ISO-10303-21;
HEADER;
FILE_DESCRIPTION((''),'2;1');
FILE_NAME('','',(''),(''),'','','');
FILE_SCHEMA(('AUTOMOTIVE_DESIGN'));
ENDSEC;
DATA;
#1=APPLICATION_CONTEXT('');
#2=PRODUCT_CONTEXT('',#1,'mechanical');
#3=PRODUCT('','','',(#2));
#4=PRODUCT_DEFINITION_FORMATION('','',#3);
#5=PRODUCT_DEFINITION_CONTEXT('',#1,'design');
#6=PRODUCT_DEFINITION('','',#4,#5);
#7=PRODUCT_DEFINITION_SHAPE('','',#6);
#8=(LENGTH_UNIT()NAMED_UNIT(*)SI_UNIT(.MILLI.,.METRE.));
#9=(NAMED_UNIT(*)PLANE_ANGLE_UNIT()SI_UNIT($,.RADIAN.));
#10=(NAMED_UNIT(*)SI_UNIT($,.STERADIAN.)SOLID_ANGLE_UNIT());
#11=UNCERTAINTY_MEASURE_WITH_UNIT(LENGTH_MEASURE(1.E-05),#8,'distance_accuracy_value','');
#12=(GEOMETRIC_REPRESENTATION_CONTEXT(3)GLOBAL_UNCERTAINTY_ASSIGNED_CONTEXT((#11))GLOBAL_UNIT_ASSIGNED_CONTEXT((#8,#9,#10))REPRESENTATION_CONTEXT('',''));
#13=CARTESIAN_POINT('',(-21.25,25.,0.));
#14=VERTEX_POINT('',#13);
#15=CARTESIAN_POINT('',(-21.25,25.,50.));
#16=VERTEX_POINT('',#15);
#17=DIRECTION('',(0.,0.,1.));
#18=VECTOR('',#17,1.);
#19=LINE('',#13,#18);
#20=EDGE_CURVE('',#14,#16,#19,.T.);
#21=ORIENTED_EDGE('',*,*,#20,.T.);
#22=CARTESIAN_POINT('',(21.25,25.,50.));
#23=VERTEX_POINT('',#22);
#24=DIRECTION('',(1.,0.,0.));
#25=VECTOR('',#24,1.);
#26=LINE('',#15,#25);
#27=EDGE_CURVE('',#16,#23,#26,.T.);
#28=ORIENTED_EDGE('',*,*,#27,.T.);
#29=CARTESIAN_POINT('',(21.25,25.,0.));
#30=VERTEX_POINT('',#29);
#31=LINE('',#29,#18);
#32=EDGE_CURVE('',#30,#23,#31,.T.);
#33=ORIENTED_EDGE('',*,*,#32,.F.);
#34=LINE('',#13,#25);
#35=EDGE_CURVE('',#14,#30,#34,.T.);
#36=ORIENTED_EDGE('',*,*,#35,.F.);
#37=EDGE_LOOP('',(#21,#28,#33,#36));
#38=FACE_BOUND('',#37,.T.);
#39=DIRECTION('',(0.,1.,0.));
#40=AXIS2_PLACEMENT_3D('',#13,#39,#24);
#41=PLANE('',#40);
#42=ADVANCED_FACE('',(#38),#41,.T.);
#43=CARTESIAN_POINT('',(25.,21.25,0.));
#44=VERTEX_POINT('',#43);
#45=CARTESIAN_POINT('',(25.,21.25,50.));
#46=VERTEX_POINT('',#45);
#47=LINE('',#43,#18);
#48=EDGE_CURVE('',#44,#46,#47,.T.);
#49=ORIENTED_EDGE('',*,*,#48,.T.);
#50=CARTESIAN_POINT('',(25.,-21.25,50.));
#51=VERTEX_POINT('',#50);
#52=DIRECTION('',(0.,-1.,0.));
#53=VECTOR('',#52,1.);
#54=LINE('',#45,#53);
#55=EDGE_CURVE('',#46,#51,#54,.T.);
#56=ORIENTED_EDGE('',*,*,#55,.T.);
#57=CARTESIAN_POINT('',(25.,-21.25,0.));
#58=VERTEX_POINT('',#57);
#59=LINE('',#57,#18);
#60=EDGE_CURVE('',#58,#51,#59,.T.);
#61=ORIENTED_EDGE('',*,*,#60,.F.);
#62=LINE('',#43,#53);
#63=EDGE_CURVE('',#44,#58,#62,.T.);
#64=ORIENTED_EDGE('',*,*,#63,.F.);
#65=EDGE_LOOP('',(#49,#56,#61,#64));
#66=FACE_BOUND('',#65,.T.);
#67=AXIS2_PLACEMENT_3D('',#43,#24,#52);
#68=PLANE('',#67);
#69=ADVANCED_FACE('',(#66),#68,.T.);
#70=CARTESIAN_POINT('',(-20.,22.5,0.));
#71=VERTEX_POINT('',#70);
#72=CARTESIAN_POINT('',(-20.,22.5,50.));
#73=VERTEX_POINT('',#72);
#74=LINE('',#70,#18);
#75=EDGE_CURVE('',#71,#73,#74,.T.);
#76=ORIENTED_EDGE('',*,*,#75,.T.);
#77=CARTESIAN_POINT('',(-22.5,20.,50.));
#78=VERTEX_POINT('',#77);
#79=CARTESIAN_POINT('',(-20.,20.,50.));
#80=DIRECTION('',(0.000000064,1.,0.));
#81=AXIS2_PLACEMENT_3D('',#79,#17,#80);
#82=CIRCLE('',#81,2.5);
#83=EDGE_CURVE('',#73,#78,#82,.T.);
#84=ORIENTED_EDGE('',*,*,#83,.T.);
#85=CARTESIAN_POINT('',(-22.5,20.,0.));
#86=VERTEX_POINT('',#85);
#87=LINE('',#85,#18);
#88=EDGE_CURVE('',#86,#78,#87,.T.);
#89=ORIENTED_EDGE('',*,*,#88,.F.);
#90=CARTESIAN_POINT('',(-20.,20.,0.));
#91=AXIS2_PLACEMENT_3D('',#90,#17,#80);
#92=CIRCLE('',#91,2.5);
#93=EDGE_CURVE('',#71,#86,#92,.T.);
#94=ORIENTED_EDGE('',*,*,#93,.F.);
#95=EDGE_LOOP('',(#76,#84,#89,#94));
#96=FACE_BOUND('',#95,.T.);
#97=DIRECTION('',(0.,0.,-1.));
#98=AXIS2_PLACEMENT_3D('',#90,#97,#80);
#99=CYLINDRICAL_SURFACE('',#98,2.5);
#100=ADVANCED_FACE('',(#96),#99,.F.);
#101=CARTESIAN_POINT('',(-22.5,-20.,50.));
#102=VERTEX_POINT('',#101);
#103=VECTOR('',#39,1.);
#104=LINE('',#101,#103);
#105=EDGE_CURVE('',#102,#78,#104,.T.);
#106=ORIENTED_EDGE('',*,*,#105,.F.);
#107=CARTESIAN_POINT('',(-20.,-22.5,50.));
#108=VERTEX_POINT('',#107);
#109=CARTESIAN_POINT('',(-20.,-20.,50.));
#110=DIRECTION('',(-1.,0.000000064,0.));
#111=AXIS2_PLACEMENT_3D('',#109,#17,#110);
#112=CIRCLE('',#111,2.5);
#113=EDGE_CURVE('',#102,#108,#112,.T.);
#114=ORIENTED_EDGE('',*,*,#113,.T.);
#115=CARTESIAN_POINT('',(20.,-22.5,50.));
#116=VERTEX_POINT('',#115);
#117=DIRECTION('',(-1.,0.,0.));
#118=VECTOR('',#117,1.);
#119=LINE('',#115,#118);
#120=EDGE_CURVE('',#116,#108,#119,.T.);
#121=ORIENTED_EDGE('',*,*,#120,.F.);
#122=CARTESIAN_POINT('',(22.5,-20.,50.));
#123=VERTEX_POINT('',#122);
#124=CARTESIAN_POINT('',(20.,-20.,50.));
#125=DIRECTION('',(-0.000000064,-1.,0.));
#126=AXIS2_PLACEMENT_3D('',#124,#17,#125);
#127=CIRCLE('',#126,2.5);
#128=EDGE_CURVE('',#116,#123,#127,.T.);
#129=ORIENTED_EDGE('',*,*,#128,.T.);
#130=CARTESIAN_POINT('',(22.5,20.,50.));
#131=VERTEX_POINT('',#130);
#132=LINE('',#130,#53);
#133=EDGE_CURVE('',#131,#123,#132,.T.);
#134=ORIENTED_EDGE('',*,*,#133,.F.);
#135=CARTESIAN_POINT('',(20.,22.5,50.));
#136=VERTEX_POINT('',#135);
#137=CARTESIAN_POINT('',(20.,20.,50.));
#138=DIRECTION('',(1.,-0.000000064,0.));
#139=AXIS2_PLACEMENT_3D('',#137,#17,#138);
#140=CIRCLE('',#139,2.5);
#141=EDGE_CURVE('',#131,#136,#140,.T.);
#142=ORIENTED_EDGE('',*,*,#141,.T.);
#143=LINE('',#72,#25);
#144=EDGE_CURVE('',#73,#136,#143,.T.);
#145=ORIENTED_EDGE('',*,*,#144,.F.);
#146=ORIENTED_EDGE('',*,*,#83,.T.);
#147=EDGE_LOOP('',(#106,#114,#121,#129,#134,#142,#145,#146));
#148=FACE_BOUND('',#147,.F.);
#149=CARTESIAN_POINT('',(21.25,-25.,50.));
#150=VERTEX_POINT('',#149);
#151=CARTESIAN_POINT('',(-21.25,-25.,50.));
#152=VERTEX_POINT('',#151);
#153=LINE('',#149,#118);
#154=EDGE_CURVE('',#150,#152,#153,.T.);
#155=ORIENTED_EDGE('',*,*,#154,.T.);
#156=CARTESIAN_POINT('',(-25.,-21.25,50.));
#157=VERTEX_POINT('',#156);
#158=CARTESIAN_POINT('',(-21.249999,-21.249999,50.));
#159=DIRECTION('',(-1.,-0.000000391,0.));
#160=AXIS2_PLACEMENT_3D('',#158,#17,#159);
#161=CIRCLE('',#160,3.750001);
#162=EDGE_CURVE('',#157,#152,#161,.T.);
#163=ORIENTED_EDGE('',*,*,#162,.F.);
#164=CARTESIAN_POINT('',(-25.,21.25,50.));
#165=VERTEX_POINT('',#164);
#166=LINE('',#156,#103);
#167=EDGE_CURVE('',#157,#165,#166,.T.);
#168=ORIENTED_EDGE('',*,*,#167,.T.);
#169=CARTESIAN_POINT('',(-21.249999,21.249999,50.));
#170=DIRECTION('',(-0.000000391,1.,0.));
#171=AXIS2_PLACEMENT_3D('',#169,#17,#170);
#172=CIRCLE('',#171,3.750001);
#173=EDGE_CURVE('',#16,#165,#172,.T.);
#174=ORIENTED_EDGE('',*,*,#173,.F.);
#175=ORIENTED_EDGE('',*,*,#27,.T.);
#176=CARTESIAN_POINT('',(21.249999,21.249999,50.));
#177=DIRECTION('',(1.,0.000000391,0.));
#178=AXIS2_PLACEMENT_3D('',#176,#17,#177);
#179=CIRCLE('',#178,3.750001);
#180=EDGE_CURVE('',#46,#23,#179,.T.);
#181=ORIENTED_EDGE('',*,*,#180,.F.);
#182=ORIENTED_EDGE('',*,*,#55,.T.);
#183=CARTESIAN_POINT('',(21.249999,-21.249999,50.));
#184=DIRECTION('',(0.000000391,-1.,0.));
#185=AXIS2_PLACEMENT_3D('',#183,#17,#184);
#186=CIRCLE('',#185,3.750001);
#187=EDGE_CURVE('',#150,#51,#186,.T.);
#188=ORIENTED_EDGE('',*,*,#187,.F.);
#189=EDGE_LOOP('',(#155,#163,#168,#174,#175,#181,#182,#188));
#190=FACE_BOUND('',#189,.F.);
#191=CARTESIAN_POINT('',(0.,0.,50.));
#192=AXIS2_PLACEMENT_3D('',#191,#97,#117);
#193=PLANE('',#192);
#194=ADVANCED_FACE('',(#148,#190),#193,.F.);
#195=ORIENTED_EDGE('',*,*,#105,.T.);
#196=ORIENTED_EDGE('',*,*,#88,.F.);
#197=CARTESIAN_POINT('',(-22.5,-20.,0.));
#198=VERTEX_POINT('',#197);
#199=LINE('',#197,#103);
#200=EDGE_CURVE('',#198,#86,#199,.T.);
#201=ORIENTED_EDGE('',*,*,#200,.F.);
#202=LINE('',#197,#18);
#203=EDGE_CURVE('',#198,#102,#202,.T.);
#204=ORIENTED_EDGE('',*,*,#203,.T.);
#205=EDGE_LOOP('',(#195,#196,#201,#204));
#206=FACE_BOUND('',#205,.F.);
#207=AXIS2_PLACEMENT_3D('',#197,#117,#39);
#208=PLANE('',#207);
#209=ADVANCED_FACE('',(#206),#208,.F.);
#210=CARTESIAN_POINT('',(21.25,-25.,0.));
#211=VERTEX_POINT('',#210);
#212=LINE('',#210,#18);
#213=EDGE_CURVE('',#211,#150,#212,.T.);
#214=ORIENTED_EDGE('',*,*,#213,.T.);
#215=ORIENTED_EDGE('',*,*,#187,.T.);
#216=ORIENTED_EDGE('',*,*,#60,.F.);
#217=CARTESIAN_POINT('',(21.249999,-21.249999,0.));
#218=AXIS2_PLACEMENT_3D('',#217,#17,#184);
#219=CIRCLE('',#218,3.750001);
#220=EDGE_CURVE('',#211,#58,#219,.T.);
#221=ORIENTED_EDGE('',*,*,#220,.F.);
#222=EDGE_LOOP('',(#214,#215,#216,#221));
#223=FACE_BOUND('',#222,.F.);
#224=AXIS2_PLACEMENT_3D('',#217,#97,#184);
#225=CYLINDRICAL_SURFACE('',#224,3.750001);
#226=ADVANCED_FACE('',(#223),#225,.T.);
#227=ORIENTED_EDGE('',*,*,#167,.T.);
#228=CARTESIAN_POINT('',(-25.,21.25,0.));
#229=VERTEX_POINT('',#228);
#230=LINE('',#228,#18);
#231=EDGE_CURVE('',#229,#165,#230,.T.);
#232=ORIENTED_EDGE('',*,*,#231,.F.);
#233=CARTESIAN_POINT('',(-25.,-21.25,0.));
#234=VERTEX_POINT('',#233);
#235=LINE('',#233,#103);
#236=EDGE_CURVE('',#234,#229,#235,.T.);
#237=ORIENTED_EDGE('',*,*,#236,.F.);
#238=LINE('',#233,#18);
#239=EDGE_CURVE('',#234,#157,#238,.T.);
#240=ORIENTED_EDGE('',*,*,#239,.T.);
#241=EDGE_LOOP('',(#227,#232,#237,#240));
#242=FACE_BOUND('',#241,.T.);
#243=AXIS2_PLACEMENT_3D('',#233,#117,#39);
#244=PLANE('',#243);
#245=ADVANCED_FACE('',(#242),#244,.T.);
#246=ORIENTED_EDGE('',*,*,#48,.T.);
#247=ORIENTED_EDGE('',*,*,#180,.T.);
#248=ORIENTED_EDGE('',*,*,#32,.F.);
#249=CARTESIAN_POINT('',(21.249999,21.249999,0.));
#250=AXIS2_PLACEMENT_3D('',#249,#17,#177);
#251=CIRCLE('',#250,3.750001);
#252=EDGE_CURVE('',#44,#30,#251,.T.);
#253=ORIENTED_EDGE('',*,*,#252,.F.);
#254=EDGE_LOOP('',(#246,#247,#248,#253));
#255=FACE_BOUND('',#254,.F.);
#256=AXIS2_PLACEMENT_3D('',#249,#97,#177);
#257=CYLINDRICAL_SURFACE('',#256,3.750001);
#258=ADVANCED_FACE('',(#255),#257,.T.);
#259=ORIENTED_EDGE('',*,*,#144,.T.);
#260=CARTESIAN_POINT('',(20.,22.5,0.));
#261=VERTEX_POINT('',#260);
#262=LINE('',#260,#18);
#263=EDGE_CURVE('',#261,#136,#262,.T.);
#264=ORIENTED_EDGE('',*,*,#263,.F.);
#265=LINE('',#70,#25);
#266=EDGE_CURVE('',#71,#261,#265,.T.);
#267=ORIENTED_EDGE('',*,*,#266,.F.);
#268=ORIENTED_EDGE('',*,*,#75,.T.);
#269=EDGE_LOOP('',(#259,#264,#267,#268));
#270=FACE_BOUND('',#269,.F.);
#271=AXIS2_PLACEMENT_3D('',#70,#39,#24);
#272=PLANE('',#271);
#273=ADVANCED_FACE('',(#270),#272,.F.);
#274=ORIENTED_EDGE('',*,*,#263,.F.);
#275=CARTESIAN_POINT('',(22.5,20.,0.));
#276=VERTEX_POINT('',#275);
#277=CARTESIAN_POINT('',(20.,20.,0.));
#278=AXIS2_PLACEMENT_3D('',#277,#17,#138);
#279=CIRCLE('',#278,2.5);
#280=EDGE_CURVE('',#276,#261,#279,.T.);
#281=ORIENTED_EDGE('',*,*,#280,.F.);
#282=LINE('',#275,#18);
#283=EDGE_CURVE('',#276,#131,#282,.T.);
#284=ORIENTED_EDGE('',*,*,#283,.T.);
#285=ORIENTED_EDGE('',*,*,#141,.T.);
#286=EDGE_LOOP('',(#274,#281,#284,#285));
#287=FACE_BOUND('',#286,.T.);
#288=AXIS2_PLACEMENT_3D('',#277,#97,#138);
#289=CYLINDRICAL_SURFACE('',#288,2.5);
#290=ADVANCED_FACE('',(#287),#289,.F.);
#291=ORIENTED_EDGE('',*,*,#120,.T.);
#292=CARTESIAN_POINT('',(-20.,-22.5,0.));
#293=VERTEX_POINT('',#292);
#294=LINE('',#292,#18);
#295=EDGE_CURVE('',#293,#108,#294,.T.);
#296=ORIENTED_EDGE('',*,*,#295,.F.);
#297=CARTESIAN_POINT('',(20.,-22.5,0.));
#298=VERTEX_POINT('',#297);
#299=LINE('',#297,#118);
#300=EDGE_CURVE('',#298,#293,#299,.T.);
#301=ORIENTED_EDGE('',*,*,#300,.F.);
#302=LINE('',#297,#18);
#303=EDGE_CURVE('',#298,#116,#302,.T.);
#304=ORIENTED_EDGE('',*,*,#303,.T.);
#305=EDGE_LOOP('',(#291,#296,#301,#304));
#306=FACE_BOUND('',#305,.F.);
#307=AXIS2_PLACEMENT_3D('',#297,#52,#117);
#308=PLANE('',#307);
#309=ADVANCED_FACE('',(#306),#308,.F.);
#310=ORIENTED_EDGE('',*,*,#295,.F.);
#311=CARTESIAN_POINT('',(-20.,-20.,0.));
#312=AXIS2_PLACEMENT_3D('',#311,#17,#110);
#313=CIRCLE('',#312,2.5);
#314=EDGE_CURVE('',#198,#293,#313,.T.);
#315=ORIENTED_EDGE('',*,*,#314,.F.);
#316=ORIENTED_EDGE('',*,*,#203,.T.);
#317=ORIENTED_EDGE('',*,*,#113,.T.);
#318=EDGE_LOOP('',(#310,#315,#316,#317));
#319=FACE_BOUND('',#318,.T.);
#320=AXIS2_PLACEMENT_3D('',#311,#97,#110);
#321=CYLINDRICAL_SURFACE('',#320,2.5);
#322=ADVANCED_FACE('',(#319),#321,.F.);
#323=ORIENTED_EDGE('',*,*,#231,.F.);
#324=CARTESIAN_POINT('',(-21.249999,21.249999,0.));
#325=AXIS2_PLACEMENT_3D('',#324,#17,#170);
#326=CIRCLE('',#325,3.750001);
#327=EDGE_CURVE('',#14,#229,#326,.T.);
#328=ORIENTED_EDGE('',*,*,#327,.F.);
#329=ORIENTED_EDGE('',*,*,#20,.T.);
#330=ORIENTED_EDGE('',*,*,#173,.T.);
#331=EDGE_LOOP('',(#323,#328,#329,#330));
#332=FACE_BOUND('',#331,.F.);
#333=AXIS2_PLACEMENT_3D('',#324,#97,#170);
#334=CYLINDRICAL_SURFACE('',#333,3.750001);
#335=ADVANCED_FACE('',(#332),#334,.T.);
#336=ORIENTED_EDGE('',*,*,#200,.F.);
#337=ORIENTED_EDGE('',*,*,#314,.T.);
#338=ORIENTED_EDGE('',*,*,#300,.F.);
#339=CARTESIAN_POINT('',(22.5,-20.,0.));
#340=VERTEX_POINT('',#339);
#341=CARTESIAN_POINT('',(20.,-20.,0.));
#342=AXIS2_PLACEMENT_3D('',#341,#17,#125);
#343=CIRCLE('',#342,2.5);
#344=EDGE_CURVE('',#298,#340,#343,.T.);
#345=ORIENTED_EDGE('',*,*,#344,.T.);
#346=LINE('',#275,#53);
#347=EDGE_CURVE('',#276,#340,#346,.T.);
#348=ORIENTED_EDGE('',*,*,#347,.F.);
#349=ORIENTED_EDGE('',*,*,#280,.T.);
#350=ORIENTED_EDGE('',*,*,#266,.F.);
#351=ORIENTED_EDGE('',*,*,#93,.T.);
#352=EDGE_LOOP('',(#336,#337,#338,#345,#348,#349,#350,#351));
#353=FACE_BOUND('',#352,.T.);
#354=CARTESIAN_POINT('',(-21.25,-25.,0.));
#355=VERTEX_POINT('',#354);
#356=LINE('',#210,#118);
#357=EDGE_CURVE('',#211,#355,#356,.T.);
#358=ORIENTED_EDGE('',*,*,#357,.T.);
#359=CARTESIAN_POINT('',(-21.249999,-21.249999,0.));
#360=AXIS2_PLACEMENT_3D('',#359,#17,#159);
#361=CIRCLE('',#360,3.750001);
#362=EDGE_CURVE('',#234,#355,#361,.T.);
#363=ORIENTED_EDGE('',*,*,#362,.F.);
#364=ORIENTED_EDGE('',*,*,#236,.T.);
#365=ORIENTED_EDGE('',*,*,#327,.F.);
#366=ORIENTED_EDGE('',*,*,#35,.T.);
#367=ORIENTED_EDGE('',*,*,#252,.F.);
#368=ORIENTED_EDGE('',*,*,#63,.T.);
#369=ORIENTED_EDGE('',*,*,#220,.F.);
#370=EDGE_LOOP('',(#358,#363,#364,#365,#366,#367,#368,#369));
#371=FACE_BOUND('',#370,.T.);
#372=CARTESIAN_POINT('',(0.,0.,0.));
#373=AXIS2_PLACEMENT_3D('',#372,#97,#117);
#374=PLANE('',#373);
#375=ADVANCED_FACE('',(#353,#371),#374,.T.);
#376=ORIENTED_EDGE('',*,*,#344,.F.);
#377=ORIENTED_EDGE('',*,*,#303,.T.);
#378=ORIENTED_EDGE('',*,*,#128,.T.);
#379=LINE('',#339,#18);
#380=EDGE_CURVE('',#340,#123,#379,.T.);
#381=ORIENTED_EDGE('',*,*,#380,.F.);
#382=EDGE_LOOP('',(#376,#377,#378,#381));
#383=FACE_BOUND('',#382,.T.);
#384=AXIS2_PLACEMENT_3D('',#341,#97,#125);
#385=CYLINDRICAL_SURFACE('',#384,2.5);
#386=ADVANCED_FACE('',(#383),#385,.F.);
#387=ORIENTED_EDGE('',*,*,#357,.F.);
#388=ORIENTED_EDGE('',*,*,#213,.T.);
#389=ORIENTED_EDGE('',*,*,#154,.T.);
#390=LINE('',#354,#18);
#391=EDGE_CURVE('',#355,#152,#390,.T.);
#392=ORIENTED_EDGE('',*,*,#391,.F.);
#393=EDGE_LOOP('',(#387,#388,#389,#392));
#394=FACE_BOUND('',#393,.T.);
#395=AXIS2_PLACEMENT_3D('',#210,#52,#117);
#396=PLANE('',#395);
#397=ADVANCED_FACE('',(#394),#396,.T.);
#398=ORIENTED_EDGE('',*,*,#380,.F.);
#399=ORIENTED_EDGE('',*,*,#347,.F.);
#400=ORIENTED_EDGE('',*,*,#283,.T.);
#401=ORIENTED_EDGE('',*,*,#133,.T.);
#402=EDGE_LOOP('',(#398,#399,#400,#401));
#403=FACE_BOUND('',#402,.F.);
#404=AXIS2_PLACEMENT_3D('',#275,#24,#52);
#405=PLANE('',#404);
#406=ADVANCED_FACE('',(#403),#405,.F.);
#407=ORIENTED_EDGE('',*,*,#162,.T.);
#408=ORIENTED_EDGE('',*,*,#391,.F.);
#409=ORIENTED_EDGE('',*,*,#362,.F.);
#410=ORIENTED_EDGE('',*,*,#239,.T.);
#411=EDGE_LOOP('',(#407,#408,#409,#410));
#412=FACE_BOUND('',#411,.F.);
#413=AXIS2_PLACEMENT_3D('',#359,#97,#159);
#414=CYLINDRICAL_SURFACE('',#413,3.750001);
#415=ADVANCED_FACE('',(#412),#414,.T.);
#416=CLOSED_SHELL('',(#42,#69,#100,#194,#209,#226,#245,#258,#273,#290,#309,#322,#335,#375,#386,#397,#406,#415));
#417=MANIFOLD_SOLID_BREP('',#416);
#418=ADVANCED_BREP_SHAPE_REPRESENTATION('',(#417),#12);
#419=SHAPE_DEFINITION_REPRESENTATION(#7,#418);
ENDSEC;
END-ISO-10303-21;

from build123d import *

# Parameters (mm, degrees)
EXTRUDE_DEPTH = 50


with BuildPart() as part:
    # Sketch → Extrude (new body)
    with BuildSketch(Plane.XY):
        with BuildLine():
            Line((-21.25, 25), (21.25, 25))
            ThreePointArc((25, 21.25), (23.90165, 23.90165), (21.25, 25))
            Line((25, 21.25), (25, -21.25))
            ThreePointArc((21.25, -25), (23.90165, -23.90165), (25, -21.25))
            Line((21.25, -25), (-21.25, -25))
            ThreePointArc((-25, -21.25), (-23.90165, -23.90165), (-21.25, -25))
            Line((-25, -21.25), (-25, 21.25))
            ThreePointArc((-21.25, 25), (-23.90165, 23.90165), (-25, 21.25))
        make_face()
        with BuildLine():
            Line((-20, 22.5), (20, 22.5))
            ThreePointArc((22.5, 20), (21.767767, 21.767767), (20, 22.5))
            Line((22.5, 20), (22.5, -20))
            ThreePointArc((20, -22.5), (21.767767, -21.767767), (22.5, -20))
            Line((20, -22.5), (-20, -22.5))
            ThreePointArc((-22.5, -20), (-21.767767, -21.767767), (-20, -22.5))
            Line((-22.5, -20), (-22.5, 20))
            ThreePointArc((-20, 22.5), (-21.767767, 21.767767), (-22.5, 20))
        make_face(mode=Mode.SUBTRACT)
    extrude(amount=EXTRUDE_DEPTH)


solid = part.part
